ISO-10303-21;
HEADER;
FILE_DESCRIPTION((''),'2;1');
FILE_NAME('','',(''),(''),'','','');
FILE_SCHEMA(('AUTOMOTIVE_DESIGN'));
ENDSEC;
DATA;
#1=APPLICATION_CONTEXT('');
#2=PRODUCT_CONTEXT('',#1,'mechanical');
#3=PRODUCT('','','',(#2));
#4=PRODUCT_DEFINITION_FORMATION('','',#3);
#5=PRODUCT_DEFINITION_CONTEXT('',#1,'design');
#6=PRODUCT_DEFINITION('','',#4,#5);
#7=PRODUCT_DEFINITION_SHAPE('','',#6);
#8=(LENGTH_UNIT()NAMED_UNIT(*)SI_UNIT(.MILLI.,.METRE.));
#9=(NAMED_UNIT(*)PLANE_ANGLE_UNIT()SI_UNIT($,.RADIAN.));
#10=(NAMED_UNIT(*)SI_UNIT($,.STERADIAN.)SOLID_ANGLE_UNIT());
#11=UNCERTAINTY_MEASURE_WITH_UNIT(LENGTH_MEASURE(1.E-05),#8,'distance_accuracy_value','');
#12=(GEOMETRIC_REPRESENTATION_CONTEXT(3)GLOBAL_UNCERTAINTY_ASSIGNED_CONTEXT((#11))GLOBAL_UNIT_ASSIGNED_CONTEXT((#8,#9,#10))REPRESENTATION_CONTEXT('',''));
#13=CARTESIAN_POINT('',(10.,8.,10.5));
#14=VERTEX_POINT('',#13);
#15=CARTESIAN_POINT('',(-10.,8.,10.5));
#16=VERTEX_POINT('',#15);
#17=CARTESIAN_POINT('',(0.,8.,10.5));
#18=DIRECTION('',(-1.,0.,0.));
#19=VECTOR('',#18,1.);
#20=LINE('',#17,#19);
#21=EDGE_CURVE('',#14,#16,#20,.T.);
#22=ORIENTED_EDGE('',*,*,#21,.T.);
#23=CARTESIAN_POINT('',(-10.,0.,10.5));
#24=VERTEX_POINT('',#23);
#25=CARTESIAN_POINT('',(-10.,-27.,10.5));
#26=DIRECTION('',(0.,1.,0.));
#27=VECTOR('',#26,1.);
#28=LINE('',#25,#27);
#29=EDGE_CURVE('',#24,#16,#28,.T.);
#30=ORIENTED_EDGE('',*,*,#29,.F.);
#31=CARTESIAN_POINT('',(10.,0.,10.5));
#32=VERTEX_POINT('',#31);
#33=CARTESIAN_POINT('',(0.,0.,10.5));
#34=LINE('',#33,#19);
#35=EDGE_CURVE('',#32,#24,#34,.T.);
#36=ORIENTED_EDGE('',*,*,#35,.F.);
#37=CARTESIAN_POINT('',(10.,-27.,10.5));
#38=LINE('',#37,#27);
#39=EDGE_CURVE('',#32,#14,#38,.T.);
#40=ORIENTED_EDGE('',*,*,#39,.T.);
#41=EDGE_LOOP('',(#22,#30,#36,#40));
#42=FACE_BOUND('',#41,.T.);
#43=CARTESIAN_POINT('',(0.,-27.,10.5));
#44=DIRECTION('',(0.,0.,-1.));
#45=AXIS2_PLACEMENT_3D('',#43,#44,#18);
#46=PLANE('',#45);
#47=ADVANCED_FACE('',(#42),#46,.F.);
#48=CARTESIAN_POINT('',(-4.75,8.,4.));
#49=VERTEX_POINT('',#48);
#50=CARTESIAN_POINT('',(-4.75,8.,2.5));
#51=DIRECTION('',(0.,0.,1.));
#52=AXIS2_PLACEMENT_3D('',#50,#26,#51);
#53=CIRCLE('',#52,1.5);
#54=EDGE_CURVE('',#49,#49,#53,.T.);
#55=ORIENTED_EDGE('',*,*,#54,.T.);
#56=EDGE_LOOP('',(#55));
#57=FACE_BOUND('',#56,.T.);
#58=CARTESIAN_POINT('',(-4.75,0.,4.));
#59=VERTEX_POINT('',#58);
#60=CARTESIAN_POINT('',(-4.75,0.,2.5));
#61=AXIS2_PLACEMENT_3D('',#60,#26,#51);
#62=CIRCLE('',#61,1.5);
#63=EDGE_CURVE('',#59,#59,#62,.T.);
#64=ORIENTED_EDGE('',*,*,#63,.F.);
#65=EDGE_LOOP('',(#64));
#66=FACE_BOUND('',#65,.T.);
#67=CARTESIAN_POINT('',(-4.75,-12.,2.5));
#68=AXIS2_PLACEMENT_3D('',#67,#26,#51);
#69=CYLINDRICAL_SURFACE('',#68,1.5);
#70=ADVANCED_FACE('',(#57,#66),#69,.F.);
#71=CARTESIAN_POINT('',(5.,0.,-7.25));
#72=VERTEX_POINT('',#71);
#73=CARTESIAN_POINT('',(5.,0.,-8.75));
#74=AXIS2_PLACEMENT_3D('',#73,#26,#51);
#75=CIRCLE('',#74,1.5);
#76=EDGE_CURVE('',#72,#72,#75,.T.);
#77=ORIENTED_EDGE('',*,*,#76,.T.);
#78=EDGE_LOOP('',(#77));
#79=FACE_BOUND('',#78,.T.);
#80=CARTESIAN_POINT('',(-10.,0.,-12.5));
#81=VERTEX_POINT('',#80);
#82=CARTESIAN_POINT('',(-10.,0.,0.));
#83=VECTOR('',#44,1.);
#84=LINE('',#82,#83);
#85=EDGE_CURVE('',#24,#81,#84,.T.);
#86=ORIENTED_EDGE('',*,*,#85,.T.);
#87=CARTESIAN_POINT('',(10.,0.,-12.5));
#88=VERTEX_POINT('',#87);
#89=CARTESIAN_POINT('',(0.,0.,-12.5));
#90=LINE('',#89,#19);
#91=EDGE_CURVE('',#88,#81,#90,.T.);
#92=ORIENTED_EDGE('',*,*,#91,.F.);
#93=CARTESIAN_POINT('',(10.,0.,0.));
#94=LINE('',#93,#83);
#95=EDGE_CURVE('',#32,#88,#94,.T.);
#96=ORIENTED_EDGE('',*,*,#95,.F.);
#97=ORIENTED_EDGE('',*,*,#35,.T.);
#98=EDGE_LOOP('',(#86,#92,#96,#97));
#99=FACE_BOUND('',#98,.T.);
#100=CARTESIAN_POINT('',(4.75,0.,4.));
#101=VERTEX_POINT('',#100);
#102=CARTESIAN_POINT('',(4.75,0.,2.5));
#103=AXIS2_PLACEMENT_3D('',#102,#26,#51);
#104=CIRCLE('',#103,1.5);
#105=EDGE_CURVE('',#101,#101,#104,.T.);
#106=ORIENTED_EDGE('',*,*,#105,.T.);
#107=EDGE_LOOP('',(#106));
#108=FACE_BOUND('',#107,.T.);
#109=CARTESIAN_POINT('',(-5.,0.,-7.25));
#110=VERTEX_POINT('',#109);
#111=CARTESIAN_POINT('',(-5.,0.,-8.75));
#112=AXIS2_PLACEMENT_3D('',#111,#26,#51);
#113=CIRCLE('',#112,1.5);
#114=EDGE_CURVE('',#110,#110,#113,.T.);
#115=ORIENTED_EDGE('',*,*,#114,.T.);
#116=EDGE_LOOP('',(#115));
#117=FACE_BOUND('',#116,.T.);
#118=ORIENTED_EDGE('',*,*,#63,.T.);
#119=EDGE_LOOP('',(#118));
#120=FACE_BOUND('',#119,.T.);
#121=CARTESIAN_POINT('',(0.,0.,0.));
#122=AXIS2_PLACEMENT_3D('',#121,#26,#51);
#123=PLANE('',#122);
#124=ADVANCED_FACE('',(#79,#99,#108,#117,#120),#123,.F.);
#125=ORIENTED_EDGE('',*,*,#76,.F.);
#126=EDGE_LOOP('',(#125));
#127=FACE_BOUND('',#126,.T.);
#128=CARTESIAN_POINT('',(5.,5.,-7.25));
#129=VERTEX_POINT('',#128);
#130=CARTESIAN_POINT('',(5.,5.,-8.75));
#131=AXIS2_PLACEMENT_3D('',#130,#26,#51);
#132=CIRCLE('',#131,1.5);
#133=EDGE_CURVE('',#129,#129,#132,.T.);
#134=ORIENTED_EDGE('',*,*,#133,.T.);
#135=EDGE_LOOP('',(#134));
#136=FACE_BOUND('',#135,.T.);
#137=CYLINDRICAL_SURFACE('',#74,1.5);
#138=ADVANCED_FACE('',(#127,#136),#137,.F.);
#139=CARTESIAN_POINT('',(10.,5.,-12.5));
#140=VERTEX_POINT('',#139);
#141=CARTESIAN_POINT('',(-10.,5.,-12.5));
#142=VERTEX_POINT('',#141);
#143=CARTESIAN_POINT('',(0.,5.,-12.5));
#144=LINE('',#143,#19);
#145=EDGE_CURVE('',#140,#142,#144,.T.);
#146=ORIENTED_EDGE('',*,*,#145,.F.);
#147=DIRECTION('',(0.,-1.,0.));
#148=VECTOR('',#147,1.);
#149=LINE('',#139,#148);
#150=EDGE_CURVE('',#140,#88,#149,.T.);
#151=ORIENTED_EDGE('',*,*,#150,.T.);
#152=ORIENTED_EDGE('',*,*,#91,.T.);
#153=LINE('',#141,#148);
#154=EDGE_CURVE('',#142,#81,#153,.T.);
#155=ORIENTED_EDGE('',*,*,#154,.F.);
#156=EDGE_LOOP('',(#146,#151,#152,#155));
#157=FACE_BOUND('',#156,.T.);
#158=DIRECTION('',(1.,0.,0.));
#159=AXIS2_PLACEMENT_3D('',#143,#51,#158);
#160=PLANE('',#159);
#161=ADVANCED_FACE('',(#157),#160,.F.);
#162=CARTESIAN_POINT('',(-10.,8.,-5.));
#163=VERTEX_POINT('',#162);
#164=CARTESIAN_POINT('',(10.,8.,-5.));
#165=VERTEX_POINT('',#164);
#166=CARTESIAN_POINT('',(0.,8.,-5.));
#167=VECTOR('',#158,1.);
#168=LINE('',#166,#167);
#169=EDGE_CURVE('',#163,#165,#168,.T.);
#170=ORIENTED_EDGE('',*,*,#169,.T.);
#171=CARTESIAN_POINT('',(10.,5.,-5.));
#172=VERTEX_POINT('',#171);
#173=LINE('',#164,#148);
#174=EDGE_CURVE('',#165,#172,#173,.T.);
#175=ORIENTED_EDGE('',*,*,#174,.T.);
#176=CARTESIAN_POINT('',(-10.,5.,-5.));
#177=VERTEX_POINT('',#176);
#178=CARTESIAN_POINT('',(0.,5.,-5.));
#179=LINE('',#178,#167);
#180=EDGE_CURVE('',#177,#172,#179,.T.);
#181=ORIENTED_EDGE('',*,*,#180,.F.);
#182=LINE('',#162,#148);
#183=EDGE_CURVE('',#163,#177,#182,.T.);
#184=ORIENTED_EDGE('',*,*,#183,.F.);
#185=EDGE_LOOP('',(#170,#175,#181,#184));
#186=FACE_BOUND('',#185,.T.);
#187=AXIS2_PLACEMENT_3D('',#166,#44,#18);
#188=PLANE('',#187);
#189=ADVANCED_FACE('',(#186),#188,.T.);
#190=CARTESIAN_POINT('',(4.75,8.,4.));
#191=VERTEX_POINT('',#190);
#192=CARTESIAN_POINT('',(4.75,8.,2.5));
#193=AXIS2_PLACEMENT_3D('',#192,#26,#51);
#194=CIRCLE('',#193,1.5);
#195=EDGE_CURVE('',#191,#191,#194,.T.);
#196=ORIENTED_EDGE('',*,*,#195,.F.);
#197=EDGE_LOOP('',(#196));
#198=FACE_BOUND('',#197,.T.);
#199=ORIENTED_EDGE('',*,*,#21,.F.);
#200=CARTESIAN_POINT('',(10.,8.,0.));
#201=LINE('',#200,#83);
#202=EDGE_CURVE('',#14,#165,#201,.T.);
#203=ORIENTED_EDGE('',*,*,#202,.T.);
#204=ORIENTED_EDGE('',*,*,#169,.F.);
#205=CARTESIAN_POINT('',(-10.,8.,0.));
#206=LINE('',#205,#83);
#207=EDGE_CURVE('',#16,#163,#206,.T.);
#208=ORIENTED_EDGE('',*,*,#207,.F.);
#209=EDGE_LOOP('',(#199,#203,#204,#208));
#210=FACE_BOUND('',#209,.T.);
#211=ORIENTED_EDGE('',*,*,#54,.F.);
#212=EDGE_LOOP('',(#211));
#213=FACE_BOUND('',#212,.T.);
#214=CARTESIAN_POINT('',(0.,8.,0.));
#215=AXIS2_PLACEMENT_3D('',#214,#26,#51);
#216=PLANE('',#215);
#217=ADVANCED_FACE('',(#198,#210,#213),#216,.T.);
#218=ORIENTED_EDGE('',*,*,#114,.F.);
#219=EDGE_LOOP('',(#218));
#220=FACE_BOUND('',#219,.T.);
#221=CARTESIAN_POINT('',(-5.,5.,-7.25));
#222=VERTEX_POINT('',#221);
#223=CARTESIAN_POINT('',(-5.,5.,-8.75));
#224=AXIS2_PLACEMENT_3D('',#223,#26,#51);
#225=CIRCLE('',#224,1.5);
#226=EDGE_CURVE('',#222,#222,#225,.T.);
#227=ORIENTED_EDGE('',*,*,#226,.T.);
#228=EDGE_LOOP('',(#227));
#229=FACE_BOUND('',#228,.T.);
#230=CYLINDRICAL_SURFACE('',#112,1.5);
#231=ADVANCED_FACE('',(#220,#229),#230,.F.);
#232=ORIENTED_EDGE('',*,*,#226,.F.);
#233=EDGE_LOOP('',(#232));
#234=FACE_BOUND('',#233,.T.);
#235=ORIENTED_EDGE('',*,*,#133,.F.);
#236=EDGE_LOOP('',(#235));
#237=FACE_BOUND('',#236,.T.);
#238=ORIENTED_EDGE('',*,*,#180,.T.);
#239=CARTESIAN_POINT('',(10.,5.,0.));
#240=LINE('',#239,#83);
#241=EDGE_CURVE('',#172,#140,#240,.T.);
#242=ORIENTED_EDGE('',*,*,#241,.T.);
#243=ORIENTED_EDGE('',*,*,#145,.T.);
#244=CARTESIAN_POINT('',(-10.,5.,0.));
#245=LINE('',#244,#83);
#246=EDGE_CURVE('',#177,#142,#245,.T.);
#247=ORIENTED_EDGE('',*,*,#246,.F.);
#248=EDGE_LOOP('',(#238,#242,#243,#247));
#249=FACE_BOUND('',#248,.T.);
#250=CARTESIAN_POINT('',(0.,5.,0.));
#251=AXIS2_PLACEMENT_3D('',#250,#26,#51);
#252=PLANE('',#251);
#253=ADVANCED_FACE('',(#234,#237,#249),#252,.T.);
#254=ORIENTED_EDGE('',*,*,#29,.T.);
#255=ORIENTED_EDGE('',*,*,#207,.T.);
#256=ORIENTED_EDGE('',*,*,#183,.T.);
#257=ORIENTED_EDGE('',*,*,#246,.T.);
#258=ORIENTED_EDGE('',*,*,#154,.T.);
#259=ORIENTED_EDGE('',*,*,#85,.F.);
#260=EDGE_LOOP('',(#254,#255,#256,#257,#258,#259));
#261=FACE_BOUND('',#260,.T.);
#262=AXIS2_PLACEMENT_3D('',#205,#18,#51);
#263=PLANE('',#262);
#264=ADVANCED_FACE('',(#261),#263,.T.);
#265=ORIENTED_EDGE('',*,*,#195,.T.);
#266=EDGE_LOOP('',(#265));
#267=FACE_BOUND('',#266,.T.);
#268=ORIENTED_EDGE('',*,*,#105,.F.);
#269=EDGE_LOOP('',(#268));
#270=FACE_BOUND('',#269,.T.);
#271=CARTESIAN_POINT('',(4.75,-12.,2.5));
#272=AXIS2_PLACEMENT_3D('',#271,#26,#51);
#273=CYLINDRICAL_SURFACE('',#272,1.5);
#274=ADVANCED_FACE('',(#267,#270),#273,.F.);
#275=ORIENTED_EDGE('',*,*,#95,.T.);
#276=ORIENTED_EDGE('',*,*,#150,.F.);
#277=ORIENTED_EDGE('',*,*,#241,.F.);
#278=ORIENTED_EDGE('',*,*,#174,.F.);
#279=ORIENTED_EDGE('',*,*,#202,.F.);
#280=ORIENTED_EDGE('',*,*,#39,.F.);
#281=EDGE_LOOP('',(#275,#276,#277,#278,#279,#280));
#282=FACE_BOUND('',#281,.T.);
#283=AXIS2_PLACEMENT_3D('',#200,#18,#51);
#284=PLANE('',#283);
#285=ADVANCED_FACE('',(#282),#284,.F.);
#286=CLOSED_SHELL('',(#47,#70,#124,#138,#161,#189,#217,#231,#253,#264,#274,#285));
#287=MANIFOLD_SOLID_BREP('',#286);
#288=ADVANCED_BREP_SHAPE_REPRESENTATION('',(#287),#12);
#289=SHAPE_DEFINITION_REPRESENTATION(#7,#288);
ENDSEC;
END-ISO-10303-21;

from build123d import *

# Parameters (mm, degrees)
CROQUIS1_W              = 20
CROQUIS1_H              = 17.5
SALIENTE_EXTRUIR1_DEPTH = 8
CROQUIS1_4_W            = 20
CROQUIS1_4_H            = 7.5
SALIENTE_EXTRUIR2_DEPTH = 5
CROQUIS2_R              = 1.5
CORTAR_EXTRUIR1_DEPTH   = 5
CROQUIS3_R              = 1.5
CORTAR_EXTRUIR2_DEPTH   = 20
CROQUIS4_W              = 20
CROQUIS4_H              = 2
CORTAR_EXTRUIR3_DEPTH   = 35


with BuildPart() as part:
    # Croquis1 → Saliente-Extruir1 (new body)
    with BuildSketch(Plane(origin=(0, 0, 0), x_dir=(1, 0, 0), z_dir=(0, 1, 0))):
        with Locations((0, -3.75)):
            Rectangle(CROQUIS1_W, CROQUIS1_H)
    extrude(amount=SALIENTE_EXTRUIR1_DEPTH)

    # Croquis1<4> → Saliente-Extruir2 (add)
    with BuildSketch(Plane(origin=(0, 0, 0), x_dir=(1, 0, 0), z_dir=(0, 1, 0))):
        with Locations((0, 8.75)):
            Rectangle(CROQUIS1_4_W, CROQUIS1_4_H)
    extrude(amount=SALIENTE_EXTRUIR2_DEPTH)

    # Croquis2 → Cortar-Extruir1 (cut)
    with BuildSketch(Plane(origin=(0, 5, 0), x_dir=(1, 0, 0), z_dir=(0, 1, 0))):
        with Locations((-5, 8.75)):
            Circle(CROQUIS2_R)
        with Locations((5, 8.75)):
            Circle(CROQUIS2_R)
    extrude(amount=-CORTAR_EXTRUIR1_DEPTH, mode=Mode.SUBTRACT)

    # Croquis3 → Cortar-Extruir2 (cut)
    with BuildSketch(Plane(origin=(0, 8, 0), x_dir=(1, 0, 0), z_dir=(0, 1, 0))):
        with Locations((-4.75, -2.5)):
            Circle(CROQUIS3_R)
        with Locations((4.75, -2.5)):
            Circle(CROQUIS3_R)
    extrude(amount=-CORTAR_EXTRUIR2_DEPTH, mode=Mode.SUBTRACT)

    # Croquis4 → Cortar-Extruir3 (cut)
    with BuildSketch(Plane(origin=(0, 8, 0), x_dir=(1, 0, 0), z_dir=(0, 1, 0))):
        with Locations((0, -11.5)):
            Rectangle(CROQUIS4_W, CROQUIS4_H)
    extrude(amount=-CORTAR_EXTRUIR3_DEPTH, mode=Mode.SUBTRACT)


solid = part.part
